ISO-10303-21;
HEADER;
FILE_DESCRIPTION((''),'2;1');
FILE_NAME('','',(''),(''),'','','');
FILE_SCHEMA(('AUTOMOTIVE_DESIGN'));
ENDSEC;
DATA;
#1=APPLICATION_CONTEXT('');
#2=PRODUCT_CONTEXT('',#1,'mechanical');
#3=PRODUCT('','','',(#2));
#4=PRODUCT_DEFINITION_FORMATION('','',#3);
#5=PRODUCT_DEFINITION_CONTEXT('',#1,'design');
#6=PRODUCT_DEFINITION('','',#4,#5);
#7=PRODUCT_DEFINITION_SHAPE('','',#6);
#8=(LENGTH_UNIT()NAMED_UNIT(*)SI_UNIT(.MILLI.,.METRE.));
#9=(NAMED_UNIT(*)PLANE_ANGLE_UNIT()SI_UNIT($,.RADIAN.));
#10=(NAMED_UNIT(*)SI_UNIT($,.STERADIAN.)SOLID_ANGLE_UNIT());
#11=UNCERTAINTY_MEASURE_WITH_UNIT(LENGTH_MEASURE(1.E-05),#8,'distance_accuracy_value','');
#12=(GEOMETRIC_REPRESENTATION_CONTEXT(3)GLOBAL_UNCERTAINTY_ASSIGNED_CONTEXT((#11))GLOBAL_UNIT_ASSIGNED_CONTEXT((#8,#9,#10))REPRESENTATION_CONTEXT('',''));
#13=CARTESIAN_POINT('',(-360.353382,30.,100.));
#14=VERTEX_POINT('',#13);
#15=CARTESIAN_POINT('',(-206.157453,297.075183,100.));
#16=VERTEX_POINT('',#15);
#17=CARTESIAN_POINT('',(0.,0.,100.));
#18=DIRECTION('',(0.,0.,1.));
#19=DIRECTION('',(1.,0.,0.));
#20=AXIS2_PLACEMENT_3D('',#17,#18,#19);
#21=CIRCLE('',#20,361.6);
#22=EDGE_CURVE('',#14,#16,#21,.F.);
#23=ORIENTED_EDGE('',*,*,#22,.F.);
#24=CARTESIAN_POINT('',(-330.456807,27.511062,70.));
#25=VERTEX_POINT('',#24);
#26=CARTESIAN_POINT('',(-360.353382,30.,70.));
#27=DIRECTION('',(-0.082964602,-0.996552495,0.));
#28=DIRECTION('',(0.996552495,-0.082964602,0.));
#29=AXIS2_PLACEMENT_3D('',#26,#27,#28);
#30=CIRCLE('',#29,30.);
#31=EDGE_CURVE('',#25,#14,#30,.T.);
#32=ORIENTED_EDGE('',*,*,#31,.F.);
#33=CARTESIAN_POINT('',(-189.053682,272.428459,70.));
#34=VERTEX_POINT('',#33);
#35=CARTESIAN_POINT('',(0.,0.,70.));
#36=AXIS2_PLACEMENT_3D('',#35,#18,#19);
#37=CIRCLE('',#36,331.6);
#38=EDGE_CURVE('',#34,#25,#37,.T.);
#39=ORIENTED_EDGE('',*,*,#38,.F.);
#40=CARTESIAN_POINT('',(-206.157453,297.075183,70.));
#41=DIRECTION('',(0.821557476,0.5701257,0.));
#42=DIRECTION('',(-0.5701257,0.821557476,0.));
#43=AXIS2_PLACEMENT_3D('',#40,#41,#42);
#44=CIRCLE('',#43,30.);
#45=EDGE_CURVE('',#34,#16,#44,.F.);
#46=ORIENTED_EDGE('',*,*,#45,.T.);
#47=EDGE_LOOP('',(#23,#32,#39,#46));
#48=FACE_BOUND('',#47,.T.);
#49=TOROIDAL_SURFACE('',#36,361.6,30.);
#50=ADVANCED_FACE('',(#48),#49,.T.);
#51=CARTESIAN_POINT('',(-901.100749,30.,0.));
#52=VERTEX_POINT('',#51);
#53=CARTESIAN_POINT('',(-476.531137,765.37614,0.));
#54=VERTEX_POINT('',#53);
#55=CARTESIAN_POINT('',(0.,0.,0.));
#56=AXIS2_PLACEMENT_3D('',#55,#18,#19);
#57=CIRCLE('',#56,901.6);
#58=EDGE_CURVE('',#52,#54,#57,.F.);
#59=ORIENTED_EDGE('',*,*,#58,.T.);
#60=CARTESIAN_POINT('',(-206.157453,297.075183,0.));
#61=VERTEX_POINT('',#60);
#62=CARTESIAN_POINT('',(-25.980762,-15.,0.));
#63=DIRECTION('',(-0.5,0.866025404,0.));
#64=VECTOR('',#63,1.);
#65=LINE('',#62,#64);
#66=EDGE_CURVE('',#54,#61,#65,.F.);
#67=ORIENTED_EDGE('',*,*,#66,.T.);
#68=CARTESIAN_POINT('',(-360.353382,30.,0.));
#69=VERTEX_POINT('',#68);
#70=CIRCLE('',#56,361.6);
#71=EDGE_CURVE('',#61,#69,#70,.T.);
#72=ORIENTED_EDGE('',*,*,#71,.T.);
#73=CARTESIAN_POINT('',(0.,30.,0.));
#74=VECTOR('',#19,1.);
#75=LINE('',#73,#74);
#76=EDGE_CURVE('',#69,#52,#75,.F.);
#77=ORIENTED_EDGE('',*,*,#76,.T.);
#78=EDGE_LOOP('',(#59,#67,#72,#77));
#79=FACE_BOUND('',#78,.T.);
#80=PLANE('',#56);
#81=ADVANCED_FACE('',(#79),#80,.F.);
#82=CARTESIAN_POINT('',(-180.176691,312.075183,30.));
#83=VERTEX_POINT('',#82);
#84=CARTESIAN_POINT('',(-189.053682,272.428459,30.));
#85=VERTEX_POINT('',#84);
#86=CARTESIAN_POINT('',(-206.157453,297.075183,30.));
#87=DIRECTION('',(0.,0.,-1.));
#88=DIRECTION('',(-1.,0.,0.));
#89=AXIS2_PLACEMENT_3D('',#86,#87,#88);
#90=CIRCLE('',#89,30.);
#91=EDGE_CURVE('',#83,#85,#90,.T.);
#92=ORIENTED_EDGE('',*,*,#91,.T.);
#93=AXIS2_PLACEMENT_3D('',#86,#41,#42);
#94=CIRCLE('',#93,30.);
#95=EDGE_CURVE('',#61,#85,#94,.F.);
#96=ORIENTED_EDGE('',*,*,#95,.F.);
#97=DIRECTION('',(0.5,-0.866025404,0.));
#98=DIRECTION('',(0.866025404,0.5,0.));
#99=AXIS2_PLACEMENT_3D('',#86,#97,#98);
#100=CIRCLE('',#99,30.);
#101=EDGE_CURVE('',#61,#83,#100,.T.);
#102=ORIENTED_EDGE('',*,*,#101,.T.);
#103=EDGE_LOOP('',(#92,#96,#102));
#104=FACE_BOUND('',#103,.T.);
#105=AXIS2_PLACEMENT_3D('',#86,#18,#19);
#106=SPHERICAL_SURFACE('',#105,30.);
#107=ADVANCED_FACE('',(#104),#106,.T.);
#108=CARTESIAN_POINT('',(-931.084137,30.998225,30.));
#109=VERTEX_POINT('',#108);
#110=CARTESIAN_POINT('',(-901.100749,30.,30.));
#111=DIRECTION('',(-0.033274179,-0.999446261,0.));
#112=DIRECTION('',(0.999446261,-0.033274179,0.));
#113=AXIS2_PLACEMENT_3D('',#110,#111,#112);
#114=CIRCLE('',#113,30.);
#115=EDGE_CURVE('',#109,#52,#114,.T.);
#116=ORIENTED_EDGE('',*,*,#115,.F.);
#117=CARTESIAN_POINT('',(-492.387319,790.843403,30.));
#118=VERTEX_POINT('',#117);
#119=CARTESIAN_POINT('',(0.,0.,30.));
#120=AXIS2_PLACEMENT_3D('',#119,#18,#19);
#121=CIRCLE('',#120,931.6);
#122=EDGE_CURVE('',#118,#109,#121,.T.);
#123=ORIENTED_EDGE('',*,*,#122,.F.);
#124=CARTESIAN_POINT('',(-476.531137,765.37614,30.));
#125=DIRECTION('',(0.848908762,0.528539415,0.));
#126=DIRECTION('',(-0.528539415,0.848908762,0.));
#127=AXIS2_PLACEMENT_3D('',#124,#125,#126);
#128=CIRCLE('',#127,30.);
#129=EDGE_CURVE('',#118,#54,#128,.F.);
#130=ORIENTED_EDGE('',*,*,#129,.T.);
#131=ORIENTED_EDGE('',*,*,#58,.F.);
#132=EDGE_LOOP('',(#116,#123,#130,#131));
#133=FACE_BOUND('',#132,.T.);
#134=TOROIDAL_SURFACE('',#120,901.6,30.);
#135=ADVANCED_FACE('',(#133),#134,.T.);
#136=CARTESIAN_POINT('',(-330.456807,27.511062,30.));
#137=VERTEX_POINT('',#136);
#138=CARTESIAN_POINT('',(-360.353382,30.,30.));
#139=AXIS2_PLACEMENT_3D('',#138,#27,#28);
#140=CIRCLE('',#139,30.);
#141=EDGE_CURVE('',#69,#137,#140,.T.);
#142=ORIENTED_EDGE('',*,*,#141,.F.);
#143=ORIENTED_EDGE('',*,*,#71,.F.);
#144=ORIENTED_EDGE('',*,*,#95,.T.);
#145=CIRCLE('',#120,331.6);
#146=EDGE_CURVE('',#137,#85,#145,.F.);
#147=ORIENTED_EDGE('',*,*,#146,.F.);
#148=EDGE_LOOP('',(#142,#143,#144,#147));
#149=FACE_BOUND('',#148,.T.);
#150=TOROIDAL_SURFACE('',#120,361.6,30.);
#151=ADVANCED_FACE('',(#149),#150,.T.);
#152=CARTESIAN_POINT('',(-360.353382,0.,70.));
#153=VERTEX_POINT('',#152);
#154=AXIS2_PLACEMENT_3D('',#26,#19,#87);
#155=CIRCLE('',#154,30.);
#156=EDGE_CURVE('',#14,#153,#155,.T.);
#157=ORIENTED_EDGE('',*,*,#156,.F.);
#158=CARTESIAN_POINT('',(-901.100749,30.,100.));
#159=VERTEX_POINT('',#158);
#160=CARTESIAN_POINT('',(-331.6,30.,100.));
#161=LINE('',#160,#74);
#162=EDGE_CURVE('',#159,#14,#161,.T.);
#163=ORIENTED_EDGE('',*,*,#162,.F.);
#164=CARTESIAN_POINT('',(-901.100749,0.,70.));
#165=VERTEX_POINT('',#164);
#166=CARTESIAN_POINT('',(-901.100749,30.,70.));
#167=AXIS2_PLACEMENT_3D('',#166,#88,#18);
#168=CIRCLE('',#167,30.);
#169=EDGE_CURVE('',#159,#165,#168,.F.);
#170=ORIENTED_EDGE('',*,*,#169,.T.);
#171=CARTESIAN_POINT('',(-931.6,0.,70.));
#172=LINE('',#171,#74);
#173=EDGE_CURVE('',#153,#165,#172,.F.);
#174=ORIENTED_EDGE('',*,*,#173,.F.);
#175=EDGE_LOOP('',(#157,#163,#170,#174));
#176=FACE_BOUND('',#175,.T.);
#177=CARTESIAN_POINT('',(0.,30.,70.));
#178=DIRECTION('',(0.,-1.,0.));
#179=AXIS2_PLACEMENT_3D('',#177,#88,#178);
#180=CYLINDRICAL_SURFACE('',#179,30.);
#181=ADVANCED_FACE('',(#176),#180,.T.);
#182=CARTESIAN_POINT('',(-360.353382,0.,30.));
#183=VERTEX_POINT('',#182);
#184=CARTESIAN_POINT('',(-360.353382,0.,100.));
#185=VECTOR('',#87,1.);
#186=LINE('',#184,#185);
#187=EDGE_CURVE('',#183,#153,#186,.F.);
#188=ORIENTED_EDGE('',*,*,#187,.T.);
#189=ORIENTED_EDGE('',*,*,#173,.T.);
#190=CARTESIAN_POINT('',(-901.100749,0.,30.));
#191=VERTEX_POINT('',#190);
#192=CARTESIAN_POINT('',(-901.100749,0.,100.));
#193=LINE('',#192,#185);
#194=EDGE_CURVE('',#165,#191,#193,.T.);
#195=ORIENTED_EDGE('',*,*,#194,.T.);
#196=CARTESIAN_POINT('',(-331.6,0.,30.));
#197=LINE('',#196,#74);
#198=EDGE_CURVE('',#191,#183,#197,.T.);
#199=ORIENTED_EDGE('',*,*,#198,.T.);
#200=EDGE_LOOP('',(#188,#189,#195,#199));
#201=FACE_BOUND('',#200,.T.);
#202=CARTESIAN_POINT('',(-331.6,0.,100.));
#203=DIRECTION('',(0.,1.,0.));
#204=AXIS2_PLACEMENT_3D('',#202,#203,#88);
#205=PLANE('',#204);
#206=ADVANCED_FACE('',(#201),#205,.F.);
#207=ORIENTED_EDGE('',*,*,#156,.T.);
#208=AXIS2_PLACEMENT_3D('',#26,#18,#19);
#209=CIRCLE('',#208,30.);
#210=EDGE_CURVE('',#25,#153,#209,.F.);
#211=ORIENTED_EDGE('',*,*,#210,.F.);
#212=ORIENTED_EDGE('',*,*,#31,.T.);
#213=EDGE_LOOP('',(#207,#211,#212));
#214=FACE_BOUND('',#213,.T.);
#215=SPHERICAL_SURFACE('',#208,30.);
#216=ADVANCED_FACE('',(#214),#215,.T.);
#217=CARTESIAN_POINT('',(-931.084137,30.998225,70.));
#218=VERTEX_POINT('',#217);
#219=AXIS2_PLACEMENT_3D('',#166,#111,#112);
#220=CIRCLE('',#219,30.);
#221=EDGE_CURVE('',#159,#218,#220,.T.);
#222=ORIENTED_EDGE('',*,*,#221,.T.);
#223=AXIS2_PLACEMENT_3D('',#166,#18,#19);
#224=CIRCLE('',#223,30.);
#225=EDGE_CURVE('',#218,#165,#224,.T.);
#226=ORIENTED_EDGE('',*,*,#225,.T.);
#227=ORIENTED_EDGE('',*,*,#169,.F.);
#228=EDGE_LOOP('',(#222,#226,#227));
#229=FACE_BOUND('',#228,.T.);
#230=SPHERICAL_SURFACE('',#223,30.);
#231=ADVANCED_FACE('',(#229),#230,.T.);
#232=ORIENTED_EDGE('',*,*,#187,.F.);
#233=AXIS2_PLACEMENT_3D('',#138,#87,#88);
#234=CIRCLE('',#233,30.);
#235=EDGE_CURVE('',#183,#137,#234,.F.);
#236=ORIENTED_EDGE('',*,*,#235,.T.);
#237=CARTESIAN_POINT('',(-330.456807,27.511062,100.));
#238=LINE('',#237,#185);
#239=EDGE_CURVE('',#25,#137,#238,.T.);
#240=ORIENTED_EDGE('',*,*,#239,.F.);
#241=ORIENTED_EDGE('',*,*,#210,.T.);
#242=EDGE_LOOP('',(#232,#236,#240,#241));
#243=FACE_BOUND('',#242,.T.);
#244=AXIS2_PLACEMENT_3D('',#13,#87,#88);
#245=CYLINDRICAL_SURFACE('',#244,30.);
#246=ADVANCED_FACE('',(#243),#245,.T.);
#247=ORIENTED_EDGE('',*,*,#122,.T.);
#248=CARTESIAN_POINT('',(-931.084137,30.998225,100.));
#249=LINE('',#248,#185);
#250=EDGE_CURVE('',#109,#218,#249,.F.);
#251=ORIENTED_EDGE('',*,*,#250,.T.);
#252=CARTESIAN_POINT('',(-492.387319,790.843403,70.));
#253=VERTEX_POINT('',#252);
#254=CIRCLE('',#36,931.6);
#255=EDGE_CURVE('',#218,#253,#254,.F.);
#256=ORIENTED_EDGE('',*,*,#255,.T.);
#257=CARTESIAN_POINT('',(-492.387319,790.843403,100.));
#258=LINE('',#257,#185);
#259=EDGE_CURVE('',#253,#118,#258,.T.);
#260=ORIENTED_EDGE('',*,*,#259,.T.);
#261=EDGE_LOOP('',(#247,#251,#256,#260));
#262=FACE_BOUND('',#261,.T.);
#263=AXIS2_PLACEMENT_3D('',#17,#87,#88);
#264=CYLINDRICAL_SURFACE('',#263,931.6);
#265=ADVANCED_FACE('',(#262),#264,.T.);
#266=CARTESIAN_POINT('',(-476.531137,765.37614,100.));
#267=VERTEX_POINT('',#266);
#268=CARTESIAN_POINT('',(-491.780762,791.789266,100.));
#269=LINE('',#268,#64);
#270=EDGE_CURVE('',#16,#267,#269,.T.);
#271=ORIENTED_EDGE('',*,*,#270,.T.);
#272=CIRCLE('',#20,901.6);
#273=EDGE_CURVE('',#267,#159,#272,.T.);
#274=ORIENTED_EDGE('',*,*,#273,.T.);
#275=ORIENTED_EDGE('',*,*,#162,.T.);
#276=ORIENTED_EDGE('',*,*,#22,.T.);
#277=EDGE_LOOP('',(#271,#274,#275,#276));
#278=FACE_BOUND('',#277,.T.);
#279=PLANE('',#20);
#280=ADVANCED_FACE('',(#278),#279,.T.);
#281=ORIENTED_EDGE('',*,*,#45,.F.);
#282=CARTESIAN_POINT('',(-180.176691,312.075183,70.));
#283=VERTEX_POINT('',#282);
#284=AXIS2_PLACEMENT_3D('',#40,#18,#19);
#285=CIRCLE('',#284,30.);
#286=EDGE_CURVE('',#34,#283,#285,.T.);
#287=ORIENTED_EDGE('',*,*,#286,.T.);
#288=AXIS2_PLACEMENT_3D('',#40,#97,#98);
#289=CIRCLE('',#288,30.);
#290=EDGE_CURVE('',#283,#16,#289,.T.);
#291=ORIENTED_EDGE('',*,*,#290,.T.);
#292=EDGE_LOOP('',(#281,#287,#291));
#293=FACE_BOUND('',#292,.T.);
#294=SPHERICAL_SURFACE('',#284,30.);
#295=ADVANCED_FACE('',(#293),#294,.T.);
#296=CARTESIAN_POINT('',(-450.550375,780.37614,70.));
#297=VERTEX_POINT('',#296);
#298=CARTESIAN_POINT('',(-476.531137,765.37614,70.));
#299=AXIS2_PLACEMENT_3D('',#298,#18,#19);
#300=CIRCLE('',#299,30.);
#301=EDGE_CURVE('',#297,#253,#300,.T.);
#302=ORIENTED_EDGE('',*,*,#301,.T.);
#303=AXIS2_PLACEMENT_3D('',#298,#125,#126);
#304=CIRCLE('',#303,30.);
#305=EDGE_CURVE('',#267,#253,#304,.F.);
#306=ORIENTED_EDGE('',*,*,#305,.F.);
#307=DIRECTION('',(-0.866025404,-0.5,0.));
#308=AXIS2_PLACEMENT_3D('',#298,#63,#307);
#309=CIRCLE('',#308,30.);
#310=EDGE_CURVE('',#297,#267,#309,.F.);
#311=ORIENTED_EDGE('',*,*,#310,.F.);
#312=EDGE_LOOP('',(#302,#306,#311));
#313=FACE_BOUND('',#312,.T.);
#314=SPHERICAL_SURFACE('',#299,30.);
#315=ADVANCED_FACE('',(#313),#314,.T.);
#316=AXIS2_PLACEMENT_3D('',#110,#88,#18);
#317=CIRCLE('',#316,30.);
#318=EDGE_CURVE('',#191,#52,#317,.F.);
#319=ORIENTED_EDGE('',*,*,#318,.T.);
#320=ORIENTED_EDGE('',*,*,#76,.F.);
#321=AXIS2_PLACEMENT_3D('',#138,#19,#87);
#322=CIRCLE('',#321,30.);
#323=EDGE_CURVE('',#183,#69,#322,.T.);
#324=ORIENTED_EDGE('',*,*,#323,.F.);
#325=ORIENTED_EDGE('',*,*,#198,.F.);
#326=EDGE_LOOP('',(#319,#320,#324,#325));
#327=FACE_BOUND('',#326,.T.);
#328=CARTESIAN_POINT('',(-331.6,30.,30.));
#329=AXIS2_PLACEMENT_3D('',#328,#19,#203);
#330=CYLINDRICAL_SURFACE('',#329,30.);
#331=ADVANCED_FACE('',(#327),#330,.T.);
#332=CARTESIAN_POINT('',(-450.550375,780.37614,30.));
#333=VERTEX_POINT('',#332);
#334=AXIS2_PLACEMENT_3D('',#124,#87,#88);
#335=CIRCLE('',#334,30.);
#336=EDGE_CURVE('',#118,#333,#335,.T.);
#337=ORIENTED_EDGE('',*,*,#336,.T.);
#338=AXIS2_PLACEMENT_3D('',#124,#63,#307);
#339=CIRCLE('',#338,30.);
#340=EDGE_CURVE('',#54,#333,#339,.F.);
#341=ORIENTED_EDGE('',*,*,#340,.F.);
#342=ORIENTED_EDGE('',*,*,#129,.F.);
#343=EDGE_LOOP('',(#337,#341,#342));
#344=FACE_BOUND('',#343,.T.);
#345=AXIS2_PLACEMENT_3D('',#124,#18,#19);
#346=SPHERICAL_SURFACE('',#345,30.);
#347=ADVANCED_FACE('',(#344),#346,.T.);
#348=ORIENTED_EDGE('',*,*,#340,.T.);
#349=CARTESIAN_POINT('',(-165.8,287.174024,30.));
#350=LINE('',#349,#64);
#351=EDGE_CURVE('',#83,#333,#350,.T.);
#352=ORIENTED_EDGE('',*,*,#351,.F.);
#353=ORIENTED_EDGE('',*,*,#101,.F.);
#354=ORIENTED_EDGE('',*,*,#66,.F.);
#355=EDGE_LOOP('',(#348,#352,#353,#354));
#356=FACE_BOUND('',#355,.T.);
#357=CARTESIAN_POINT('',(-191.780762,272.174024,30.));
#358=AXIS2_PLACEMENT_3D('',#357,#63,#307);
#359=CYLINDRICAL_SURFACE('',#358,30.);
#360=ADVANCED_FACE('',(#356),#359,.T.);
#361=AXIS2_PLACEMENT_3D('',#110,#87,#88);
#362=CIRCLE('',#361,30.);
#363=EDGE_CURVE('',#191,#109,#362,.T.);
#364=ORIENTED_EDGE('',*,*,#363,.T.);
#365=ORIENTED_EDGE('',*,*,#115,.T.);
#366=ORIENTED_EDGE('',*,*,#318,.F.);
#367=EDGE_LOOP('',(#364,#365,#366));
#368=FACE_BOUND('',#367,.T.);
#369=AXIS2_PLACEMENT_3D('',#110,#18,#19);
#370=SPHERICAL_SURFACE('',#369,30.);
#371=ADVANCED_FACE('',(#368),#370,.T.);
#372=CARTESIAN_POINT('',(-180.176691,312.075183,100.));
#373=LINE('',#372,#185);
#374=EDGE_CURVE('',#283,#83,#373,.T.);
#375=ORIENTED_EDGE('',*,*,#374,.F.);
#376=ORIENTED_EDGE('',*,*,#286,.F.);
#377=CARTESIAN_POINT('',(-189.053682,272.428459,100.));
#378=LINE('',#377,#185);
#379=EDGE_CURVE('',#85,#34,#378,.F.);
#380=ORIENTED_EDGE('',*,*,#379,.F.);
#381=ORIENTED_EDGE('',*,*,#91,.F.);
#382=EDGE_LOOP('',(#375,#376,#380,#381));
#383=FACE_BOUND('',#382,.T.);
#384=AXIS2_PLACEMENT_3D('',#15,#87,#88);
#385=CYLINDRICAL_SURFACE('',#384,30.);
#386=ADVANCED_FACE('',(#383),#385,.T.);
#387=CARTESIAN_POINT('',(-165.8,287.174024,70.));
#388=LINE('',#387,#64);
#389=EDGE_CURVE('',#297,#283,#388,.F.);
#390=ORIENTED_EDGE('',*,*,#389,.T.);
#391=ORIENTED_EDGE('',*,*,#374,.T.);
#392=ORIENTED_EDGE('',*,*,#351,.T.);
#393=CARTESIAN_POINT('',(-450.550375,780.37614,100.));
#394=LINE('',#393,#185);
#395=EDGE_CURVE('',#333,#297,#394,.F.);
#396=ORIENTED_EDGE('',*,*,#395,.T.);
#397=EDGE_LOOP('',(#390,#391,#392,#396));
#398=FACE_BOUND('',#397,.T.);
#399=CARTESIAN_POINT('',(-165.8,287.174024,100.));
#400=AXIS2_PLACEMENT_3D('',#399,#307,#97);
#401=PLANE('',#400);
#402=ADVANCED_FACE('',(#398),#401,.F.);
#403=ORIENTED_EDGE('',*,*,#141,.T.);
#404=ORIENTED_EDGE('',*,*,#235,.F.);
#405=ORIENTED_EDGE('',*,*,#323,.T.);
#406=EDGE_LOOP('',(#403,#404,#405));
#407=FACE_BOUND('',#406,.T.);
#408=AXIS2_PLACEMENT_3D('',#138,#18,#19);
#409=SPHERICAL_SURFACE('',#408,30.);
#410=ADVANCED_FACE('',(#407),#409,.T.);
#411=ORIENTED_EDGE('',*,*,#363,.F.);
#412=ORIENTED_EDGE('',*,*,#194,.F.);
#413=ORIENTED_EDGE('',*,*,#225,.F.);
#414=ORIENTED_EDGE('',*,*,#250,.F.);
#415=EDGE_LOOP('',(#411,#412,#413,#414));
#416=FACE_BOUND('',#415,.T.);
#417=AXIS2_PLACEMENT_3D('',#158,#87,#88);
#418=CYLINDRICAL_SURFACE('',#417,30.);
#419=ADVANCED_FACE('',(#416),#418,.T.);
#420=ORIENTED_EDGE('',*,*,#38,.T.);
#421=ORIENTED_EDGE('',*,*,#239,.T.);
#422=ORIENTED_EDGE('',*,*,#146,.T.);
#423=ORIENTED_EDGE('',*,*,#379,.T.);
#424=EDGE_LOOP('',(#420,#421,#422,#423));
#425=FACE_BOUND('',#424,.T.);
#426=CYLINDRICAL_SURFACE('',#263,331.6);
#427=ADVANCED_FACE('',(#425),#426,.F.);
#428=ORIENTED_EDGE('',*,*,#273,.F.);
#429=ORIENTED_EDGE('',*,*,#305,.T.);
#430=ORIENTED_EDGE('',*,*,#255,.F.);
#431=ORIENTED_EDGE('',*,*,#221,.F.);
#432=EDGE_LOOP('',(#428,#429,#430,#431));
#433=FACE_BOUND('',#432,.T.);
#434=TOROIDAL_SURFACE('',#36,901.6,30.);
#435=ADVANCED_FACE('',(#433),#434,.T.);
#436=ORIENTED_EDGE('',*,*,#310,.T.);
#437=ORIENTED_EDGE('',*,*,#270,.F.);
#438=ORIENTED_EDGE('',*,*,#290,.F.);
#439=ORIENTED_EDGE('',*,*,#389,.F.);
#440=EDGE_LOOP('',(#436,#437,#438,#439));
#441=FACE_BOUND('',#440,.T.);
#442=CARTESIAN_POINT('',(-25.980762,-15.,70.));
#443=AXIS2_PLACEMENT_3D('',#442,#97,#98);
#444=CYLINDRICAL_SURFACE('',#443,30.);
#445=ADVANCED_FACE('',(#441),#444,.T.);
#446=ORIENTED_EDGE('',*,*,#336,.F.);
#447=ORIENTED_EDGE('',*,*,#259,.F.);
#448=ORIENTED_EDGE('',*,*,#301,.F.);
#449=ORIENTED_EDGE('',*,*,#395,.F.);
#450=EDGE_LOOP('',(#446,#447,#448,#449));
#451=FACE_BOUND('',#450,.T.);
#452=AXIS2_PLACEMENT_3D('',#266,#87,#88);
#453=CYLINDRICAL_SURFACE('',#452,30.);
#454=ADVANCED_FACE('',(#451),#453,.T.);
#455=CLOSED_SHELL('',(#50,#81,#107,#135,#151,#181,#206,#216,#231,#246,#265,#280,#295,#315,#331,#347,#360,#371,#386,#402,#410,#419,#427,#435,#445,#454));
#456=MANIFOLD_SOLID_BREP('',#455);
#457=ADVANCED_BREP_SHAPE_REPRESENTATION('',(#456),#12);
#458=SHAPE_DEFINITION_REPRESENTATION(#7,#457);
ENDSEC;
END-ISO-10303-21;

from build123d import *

# Parameters (mm, degrees)
BOSS_EXTRUDE1_DEPTH = 100
FILLET1_R           = 30


with BuildPart() as part:
    # Sketch1 → Boss-Extrude1 (new body)
    with BuildSketch(Plane.XY):
        with BuildLine():
            Line((-331.6, 0), (-931.6, 0))
            ThreePointArc((-931.6, 0), (-806.789266166, 465.8), (-465.8, 806.789266166))
            Line((-465.8, 806.789266166), (-165.8, 287.174023895))
            ThreePointArc((-165.8, 287.174023895), (-287.174023895, 165.8), (-331.6, 0))
        make_face()
    extrude(amount=BOSS_EXTRUDE1_DEPTH)

    # Fillet1
    fillet1_edges = [part.edges().sort_by_distance(p)[0] for p in [
        (-806.789266166, 465.8, 100),
        (-631.6, 0, 100),
        (-287.174023895, 165.8, 100),
        (-631.6, 0, 0),
        (-806.789266166, 465.8, 0),
        (-315.8, 546.98164503, 0),
        (-287.174023895, 165.8, 0),
        (-331.6, 0, 50),
        (-931.6, 0, 50),
        (-465.8, 806.789266166, 50),
        (-165.8, 287.174023895, 50),
        (-315.8, 546.98164503, 100),
    ]]
    fillet(fillet1_edges, radius=FILLET1_R)


solid = part.part
